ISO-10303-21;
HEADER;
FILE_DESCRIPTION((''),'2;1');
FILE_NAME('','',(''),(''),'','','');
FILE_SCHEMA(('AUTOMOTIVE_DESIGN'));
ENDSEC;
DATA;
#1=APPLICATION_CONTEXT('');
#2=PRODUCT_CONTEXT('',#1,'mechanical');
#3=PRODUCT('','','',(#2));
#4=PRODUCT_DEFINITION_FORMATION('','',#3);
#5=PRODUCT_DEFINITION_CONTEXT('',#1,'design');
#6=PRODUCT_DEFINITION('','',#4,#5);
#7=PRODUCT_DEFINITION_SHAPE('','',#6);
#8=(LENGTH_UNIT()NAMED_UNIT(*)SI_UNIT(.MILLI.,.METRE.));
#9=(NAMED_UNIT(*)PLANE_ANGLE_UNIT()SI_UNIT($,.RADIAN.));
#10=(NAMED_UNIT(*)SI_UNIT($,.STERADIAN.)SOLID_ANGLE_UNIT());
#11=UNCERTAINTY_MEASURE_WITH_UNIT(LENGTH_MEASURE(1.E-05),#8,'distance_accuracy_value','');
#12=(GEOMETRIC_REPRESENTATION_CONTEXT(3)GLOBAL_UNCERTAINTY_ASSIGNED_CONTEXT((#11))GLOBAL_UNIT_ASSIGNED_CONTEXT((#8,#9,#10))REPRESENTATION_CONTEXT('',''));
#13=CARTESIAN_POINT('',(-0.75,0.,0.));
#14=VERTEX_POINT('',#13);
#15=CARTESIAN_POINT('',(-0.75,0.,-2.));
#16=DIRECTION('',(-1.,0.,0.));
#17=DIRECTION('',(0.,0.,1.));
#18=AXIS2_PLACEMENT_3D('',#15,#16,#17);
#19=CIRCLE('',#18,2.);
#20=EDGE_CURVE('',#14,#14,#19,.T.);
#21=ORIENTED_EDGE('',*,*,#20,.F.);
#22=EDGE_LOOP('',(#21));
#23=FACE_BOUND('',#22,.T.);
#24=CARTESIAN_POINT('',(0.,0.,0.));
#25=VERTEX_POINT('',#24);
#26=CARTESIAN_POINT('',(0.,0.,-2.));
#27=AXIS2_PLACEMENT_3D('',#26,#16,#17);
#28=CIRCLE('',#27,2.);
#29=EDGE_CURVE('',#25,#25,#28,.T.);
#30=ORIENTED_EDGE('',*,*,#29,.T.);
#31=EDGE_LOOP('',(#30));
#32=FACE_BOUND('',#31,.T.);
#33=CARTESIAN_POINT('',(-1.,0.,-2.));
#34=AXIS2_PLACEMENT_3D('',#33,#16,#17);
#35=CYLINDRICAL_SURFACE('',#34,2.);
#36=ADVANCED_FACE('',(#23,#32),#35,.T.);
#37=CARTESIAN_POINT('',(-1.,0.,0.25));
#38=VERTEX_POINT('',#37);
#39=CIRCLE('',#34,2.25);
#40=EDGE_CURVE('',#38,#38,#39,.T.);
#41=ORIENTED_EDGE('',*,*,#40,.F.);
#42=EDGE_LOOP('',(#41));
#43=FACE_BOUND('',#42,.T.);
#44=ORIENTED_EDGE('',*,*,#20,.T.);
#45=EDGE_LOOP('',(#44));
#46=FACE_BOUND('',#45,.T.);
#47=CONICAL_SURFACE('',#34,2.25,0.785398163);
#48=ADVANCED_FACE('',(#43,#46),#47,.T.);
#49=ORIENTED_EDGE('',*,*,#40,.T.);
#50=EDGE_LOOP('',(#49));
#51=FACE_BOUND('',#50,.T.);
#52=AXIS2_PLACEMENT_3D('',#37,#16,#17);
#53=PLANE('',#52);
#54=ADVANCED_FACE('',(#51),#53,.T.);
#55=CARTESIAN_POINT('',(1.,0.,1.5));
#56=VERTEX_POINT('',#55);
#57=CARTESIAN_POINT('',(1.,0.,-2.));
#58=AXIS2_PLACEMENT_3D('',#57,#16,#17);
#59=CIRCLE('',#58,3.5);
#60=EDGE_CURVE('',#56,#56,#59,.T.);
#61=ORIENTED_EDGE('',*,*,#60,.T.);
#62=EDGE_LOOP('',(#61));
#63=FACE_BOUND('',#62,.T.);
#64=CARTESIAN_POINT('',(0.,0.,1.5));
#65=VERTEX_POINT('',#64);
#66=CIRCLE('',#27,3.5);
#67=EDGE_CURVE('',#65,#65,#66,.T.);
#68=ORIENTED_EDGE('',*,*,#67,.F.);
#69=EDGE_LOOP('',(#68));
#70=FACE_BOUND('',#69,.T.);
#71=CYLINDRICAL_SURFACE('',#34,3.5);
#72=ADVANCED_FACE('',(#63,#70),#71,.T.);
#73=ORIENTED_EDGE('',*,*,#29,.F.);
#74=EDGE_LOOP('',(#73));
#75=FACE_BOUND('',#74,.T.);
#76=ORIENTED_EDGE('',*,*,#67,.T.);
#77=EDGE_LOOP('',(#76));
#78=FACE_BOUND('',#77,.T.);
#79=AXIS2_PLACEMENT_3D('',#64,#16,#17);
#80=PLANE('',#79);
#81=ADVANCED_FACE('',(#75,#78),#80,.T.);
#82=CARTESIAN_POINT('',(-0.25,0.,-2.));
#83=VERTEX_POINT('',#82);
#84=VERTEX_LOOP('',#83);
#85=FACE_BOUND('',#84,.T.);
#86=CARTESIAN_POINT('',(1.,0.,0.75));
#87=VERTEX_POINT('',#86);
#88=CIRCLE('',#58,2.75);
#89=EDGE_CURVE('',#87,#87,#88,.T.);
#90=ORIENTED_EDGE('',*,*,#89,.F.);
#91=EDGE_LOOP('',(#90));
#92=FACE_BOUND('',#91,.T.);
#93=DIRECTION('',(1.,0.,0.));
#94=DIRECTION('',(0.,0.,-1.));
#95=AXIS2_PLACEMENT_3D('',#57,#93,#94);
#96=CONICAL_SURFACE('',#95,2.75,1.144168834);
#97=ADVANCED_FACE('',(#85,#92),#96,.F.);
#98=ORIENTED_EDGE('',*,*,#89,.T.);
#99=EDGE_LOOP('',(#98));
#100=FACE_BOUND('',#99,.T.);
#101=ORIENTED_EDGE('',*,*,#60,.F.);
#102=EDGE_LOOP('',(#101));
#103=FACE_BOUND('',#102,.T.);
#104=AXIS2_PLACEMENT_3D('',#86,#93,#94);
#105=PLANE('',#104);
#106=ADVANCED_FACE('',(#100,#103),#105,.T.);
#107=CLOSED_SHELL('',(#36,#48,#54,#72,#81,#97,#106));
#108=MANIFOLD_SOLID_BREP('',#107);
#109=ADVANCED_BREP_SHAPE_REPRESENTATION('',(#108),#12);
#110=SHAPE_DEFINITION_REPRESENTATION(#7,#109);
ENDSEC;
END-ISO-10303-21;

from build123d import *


with BuildPart() as part:
    # Sketch1 → Revolve1 (revolve)
    with BuildSketch(Plane(origin=(0, 0, 0), x_dir=(1, 0, 0), z_dir=(0, 1, 0))):
        Polygon((0, 0), (-0.75, 0), (-1, -0.25), (-1, 2), (-0.25, 2), (1, -0.75), (1, -1.5), (0, -1.5), align=None)
    revolve(axis=Axis((-1, 0, -2), (1, 0, 0)))


solid = part.part
